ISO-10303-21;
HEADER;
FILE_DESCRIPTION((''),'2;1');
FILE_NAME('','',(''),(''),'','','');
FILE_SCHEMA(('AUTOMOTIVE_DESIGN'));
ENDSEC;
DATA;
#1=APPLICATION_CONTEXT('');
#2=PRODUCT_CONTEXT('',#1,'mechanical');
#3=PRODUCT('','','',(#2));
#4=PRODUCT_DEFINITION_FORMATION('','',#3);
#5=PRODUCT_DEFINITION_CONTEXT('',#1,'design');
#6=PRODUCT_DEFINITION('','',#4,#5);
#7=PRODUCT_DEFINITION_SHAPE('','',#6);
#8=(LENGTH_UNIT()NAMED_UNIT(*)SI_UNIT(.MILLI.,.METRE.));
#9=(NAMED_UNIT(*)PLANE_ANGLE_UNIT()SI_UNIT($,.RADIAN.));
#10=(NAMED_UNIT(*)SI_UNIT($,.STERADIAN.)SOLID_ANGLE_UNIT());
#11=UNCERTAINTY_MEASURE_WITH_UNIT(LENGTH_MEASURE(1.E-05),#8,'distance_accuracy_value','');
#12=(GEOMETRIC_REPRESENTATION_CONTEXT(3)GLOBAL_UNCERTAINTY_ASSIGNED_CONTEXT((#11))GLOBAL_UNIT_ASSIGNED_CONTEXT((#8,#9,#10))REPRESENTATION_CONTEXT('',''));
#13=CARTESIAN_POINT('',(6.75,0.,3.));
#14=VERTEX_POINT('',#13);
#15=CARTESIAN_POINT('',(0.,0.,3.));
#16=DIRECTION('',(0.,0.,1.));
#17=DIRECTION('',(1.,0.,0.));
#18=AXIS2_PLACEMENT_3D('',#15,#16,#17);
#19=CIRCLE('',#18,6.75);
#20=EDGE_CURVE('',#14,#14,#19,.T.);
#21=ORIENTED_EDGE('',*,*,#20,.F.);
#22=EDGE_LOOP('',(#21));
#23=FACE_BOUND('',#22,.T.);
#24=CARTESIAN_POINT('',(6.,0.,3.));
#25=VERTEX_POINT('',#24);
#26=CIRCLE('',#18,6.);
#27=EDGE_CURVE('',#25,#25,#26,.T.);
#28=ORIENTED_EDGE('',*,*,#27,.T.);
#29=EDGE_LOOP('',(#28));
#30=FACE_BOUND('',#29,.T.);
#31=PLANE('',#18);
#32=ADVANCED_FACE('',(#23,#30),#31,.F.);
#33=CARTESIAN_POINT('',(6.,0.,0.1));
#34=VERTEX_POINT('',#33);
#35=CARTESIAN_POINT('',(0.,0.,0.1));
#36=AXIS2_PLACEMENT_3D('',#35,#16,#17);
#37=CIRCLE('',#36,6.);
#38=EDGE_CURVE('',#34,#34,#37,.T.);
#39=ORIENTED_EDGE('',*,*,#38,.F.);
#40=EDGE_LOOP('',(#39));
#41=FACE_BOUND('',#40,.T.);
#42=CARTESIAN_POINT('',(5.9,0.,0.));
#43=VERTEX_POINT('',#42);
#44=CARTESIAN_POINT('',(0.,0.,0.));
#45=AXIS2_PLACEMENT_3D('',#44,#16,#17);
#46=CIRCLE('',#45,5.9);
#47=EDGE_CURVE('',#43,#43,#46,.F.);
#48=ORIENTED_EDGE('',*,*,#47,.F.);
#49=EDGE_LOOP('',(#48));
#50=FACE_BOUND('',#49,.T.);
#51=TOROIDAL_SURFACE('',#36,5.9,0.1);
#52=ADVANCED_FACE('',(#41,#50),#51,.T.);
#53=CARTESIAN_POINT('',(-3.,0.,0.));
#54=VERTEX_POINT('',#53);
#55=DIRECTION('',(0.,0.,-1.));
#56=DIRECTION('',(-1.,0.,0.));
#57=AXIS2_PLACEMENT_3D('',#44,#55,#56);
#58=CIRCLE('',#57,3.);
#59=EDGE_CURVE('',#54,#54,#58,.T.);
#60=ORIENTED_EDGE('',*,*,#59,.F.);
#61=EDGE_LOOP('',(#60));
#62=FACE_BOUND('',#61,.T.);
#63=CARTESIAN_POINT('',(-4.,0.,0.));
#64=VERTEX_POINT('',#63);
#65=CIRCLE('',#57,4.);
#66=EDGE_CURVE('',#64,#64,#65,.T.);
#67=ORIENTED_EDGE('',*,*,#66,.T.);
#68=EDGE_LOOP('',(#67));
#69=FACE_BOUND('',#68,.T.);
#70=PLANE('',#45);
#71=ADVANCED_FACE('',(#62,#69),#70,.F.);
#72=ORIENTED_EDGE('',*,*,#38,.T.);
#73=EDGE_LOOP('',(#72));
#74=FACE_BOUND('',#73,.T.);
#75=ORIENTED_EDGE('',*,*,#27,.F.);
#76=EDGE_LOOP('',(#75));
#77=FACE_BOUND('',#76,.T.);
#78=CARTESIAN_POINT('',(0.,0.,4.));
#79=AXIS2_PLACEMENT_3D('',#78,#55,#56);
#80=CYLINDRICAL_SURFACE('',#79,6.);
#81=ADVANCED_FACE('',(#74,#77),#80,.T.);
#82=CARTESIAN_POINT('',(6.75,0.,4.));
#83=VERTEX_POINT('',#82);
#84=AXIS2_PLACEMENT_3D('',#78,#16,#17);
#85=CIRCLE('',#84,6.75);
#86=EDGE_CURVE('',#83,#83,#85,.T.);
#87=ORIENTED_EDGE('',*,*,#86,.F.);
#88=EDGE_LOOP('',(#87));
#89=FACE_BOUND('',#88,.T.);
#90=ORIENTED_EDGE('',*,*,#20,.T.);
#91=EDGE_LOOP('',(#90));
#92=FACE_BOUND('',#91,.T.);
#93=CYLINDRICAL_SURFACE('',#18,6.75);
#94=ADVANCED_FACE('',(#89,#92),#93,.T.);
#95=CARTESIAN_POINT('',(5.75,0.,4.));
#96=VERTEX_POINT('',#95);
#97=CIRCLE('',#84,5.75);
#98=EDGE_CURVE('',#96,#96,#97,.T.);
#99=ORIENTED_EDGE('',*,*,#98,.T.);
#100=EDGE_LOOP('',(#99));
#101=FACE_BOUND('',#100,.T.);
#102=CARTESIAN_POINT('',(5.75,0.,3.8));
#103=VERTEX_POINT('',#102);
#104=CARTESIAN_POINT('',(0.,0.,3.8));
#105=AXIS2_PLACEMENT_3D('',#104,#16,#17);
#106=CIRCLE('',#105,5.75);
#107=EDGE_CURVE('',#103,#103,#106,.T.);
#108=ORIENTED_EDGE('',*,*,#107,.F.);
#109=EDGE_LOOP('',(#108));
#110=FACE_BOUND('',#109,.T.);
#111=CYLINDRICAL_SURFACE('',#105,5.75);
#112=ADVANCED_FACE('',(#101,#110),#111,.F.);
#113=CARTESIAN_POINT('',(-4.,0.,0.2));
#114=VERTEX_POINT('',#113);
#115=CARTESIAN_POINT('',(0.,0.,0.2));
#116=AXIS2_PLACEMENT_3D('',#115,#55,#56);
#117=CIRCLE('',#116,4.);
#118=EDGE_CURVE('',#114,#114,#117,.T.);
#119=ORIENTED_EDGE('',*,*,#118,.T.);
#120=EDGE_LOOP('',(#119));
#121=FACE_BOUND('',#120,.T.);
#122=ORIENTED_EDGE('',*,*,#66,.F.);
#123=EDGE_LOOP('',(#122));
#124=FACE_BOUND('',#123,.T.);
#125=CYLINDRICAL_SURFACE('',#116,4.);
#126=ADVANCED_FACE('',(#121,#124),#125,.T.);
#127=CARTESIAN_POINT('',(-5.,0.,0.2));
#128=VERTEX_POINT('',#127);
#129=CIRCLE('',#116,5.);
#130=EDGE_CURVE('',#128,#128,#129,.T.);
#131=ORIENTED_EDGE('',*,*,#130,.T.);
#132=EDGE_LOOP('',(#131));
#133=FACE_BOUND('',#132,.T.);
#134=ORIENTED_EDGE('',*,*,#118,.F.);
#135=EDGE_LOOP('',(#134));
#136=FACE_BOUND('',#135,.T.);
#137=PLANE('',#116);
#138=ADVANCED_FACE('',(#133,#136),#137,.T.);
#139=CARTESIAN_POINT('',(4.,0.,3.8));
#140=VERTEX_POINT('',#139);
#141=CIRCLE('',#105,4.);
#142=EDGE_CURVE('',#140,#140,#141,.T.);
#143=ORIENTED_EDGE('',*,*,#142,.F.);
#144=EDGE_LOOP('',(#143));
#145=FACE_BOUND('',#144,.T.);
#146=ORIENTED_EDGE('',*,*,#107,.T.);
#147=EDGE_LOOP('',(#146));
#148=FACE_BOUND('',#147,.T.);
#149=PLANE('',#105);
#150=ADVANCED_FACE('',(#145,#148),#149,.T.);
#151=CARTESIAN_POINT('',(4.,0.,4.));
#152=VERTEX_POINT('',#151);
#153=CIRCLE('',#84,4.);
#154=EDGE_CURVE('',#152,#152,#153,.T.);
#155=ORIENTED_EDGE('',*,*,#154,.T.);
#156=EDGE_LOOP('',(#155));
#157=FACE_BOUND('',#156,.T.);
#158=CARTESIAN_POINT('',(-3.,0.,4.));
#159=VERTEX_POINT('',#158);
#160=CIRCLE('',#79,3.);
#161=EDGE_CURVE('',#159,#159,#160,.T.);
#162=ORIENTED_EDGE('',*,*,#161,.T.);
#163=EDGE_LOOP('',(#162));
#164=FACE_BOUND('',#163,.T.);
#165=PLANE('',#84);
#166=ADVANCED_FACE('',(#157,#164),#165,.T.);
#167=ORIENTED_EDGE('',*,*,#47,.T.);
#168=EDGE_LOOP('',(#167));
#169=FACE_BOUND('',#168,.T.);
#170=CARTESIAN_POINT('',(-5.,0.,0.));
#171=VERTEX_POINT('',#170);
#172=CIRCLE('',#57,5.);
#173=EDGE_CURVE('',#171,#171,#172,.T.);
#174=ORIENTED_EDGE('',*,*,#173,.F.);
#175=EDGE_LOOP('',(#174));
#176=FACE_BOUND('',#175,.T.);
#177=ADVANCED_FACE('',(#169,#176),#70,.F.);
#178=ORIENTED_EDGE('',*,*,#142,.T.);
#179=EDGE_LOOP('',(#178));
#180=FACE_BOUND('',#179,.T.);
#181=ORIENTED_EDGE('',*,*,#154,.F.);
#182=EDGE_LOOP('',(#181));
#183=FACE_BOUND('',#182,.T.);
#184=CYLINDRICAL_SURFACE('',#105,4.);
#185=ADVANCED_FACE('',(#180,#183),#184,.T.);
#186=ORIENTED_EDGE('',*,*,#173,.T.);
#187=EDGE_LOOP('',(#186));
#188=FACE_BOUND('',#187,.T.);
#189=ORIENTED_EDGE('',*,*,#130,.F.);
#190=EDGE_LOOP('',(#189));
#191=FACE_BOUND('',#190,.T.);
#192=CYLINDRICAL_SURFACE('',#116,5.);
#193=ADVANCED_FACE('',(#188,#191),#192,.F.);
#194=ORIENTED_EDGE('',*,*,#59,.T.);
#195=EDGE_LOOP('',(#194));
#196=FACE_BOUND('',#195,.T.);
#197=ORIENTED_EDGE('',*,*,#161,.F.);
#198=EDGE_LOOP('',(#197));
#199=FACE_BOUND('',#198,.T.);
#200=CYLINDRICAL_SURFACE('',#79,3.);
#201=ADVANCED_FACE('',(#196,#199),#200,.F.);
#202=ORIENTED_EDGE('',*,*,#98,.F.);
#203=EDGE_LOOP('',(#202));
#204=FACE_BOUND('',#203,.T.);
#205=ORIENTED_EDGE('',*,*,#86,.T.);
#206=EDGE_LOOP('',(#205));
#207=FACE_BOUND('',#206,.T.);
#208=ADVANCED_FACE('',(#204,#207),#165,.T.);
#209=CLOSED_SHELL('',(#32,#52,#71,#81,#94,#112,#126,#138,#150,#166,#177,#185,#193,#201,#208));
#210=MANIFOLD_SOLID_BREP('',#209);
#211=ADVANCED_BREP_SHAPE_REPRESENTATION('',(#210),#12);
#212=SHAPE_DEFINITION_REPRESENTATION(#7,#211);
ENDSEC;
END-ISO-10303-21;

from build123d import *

# Parameters (mm, degrees)
SKETCH_1_R          = 6
EXTRUDE_1_DEPTH     = 4
SKETCH_2_R          = 6.75
EXTRUDE_2_DEPTH     = 1
SKETCH_3_R          = 3
CUT_EXTRUDE_1_DEPTH = 5
SKETCH_4_R          = 5
SKETCH_4_R_2        = 4
CUT_EXTRUDE_2_DEPTH = 0.2
SKETCH_5_R          = 5.75
SKETCH_5_R_2        = 4
CUT_EXTRUDE_3_DEPTH = 0.2
FILLET_1_R          = 0.1


with BuildPart() as part:
    # 草圖1 → 填料-伸長1 (new body)
    with BuildSketch(Plane.XY):
        Circle(SKETCH_1_R)
    extrude(amount=EXTRUDE_1_DEPTH)

    # 草圖2 → 填料-伸長2 (add)
    with BuildSketch(Plane.XY.offset(4)):
        Circle(SKETCH_2_R)
    extrude(amount=-EXTRUDE_2_DEPTH)

    # 草圖3 → 除料-伸長1 (cut, through all)
    with BuildSketch(Plane(origin=(0, 0, 0), x_dir=(-1, 0, 0), z_dir=(0, 0, -1))):
        Circle(SKETCH_3_R)
    extrude(amount=-CUT_EXTRUDE_1_DEPTH, mode=Mode.SUBTRACT)

    # 草圖4 → 除料-伸長2 (cut)
    with BuildSketch(Plane(origin=(0, 0, 0), x_dir=(-1, 0, 0), z_dir=(0, 0, -1))):
        Circle(SKETCH_4_R)
        Circle(SKETCH_4_R_2, mode=Mode.SUBTRACT)
    extrude(amount=-CUT_EXTRUDE_2_DEPTH, mode=Mode.SUBTRACT)

    # 草圖5 → 除料-伸長3 (cut)
    with BuildSketch(Plane.XY.offset(4)):
        Circle(SKETCH_5_R)
        Circle(SKETCH_5_R_2, mode=Mode.SUBTRACT)
    extrude(amount=-CUT_EXTRUDE_3_DEPTH, mode=Mode.SUBTRACT)

    # 圓角1
    fillet_1_edges = [part.edges().sort_by_distance(p)[0] for p in [
        (-6, 0, 0),
    ]]
    fillet(fillet_1_edges, radius=FILLET_1_R)


solid = part.part
